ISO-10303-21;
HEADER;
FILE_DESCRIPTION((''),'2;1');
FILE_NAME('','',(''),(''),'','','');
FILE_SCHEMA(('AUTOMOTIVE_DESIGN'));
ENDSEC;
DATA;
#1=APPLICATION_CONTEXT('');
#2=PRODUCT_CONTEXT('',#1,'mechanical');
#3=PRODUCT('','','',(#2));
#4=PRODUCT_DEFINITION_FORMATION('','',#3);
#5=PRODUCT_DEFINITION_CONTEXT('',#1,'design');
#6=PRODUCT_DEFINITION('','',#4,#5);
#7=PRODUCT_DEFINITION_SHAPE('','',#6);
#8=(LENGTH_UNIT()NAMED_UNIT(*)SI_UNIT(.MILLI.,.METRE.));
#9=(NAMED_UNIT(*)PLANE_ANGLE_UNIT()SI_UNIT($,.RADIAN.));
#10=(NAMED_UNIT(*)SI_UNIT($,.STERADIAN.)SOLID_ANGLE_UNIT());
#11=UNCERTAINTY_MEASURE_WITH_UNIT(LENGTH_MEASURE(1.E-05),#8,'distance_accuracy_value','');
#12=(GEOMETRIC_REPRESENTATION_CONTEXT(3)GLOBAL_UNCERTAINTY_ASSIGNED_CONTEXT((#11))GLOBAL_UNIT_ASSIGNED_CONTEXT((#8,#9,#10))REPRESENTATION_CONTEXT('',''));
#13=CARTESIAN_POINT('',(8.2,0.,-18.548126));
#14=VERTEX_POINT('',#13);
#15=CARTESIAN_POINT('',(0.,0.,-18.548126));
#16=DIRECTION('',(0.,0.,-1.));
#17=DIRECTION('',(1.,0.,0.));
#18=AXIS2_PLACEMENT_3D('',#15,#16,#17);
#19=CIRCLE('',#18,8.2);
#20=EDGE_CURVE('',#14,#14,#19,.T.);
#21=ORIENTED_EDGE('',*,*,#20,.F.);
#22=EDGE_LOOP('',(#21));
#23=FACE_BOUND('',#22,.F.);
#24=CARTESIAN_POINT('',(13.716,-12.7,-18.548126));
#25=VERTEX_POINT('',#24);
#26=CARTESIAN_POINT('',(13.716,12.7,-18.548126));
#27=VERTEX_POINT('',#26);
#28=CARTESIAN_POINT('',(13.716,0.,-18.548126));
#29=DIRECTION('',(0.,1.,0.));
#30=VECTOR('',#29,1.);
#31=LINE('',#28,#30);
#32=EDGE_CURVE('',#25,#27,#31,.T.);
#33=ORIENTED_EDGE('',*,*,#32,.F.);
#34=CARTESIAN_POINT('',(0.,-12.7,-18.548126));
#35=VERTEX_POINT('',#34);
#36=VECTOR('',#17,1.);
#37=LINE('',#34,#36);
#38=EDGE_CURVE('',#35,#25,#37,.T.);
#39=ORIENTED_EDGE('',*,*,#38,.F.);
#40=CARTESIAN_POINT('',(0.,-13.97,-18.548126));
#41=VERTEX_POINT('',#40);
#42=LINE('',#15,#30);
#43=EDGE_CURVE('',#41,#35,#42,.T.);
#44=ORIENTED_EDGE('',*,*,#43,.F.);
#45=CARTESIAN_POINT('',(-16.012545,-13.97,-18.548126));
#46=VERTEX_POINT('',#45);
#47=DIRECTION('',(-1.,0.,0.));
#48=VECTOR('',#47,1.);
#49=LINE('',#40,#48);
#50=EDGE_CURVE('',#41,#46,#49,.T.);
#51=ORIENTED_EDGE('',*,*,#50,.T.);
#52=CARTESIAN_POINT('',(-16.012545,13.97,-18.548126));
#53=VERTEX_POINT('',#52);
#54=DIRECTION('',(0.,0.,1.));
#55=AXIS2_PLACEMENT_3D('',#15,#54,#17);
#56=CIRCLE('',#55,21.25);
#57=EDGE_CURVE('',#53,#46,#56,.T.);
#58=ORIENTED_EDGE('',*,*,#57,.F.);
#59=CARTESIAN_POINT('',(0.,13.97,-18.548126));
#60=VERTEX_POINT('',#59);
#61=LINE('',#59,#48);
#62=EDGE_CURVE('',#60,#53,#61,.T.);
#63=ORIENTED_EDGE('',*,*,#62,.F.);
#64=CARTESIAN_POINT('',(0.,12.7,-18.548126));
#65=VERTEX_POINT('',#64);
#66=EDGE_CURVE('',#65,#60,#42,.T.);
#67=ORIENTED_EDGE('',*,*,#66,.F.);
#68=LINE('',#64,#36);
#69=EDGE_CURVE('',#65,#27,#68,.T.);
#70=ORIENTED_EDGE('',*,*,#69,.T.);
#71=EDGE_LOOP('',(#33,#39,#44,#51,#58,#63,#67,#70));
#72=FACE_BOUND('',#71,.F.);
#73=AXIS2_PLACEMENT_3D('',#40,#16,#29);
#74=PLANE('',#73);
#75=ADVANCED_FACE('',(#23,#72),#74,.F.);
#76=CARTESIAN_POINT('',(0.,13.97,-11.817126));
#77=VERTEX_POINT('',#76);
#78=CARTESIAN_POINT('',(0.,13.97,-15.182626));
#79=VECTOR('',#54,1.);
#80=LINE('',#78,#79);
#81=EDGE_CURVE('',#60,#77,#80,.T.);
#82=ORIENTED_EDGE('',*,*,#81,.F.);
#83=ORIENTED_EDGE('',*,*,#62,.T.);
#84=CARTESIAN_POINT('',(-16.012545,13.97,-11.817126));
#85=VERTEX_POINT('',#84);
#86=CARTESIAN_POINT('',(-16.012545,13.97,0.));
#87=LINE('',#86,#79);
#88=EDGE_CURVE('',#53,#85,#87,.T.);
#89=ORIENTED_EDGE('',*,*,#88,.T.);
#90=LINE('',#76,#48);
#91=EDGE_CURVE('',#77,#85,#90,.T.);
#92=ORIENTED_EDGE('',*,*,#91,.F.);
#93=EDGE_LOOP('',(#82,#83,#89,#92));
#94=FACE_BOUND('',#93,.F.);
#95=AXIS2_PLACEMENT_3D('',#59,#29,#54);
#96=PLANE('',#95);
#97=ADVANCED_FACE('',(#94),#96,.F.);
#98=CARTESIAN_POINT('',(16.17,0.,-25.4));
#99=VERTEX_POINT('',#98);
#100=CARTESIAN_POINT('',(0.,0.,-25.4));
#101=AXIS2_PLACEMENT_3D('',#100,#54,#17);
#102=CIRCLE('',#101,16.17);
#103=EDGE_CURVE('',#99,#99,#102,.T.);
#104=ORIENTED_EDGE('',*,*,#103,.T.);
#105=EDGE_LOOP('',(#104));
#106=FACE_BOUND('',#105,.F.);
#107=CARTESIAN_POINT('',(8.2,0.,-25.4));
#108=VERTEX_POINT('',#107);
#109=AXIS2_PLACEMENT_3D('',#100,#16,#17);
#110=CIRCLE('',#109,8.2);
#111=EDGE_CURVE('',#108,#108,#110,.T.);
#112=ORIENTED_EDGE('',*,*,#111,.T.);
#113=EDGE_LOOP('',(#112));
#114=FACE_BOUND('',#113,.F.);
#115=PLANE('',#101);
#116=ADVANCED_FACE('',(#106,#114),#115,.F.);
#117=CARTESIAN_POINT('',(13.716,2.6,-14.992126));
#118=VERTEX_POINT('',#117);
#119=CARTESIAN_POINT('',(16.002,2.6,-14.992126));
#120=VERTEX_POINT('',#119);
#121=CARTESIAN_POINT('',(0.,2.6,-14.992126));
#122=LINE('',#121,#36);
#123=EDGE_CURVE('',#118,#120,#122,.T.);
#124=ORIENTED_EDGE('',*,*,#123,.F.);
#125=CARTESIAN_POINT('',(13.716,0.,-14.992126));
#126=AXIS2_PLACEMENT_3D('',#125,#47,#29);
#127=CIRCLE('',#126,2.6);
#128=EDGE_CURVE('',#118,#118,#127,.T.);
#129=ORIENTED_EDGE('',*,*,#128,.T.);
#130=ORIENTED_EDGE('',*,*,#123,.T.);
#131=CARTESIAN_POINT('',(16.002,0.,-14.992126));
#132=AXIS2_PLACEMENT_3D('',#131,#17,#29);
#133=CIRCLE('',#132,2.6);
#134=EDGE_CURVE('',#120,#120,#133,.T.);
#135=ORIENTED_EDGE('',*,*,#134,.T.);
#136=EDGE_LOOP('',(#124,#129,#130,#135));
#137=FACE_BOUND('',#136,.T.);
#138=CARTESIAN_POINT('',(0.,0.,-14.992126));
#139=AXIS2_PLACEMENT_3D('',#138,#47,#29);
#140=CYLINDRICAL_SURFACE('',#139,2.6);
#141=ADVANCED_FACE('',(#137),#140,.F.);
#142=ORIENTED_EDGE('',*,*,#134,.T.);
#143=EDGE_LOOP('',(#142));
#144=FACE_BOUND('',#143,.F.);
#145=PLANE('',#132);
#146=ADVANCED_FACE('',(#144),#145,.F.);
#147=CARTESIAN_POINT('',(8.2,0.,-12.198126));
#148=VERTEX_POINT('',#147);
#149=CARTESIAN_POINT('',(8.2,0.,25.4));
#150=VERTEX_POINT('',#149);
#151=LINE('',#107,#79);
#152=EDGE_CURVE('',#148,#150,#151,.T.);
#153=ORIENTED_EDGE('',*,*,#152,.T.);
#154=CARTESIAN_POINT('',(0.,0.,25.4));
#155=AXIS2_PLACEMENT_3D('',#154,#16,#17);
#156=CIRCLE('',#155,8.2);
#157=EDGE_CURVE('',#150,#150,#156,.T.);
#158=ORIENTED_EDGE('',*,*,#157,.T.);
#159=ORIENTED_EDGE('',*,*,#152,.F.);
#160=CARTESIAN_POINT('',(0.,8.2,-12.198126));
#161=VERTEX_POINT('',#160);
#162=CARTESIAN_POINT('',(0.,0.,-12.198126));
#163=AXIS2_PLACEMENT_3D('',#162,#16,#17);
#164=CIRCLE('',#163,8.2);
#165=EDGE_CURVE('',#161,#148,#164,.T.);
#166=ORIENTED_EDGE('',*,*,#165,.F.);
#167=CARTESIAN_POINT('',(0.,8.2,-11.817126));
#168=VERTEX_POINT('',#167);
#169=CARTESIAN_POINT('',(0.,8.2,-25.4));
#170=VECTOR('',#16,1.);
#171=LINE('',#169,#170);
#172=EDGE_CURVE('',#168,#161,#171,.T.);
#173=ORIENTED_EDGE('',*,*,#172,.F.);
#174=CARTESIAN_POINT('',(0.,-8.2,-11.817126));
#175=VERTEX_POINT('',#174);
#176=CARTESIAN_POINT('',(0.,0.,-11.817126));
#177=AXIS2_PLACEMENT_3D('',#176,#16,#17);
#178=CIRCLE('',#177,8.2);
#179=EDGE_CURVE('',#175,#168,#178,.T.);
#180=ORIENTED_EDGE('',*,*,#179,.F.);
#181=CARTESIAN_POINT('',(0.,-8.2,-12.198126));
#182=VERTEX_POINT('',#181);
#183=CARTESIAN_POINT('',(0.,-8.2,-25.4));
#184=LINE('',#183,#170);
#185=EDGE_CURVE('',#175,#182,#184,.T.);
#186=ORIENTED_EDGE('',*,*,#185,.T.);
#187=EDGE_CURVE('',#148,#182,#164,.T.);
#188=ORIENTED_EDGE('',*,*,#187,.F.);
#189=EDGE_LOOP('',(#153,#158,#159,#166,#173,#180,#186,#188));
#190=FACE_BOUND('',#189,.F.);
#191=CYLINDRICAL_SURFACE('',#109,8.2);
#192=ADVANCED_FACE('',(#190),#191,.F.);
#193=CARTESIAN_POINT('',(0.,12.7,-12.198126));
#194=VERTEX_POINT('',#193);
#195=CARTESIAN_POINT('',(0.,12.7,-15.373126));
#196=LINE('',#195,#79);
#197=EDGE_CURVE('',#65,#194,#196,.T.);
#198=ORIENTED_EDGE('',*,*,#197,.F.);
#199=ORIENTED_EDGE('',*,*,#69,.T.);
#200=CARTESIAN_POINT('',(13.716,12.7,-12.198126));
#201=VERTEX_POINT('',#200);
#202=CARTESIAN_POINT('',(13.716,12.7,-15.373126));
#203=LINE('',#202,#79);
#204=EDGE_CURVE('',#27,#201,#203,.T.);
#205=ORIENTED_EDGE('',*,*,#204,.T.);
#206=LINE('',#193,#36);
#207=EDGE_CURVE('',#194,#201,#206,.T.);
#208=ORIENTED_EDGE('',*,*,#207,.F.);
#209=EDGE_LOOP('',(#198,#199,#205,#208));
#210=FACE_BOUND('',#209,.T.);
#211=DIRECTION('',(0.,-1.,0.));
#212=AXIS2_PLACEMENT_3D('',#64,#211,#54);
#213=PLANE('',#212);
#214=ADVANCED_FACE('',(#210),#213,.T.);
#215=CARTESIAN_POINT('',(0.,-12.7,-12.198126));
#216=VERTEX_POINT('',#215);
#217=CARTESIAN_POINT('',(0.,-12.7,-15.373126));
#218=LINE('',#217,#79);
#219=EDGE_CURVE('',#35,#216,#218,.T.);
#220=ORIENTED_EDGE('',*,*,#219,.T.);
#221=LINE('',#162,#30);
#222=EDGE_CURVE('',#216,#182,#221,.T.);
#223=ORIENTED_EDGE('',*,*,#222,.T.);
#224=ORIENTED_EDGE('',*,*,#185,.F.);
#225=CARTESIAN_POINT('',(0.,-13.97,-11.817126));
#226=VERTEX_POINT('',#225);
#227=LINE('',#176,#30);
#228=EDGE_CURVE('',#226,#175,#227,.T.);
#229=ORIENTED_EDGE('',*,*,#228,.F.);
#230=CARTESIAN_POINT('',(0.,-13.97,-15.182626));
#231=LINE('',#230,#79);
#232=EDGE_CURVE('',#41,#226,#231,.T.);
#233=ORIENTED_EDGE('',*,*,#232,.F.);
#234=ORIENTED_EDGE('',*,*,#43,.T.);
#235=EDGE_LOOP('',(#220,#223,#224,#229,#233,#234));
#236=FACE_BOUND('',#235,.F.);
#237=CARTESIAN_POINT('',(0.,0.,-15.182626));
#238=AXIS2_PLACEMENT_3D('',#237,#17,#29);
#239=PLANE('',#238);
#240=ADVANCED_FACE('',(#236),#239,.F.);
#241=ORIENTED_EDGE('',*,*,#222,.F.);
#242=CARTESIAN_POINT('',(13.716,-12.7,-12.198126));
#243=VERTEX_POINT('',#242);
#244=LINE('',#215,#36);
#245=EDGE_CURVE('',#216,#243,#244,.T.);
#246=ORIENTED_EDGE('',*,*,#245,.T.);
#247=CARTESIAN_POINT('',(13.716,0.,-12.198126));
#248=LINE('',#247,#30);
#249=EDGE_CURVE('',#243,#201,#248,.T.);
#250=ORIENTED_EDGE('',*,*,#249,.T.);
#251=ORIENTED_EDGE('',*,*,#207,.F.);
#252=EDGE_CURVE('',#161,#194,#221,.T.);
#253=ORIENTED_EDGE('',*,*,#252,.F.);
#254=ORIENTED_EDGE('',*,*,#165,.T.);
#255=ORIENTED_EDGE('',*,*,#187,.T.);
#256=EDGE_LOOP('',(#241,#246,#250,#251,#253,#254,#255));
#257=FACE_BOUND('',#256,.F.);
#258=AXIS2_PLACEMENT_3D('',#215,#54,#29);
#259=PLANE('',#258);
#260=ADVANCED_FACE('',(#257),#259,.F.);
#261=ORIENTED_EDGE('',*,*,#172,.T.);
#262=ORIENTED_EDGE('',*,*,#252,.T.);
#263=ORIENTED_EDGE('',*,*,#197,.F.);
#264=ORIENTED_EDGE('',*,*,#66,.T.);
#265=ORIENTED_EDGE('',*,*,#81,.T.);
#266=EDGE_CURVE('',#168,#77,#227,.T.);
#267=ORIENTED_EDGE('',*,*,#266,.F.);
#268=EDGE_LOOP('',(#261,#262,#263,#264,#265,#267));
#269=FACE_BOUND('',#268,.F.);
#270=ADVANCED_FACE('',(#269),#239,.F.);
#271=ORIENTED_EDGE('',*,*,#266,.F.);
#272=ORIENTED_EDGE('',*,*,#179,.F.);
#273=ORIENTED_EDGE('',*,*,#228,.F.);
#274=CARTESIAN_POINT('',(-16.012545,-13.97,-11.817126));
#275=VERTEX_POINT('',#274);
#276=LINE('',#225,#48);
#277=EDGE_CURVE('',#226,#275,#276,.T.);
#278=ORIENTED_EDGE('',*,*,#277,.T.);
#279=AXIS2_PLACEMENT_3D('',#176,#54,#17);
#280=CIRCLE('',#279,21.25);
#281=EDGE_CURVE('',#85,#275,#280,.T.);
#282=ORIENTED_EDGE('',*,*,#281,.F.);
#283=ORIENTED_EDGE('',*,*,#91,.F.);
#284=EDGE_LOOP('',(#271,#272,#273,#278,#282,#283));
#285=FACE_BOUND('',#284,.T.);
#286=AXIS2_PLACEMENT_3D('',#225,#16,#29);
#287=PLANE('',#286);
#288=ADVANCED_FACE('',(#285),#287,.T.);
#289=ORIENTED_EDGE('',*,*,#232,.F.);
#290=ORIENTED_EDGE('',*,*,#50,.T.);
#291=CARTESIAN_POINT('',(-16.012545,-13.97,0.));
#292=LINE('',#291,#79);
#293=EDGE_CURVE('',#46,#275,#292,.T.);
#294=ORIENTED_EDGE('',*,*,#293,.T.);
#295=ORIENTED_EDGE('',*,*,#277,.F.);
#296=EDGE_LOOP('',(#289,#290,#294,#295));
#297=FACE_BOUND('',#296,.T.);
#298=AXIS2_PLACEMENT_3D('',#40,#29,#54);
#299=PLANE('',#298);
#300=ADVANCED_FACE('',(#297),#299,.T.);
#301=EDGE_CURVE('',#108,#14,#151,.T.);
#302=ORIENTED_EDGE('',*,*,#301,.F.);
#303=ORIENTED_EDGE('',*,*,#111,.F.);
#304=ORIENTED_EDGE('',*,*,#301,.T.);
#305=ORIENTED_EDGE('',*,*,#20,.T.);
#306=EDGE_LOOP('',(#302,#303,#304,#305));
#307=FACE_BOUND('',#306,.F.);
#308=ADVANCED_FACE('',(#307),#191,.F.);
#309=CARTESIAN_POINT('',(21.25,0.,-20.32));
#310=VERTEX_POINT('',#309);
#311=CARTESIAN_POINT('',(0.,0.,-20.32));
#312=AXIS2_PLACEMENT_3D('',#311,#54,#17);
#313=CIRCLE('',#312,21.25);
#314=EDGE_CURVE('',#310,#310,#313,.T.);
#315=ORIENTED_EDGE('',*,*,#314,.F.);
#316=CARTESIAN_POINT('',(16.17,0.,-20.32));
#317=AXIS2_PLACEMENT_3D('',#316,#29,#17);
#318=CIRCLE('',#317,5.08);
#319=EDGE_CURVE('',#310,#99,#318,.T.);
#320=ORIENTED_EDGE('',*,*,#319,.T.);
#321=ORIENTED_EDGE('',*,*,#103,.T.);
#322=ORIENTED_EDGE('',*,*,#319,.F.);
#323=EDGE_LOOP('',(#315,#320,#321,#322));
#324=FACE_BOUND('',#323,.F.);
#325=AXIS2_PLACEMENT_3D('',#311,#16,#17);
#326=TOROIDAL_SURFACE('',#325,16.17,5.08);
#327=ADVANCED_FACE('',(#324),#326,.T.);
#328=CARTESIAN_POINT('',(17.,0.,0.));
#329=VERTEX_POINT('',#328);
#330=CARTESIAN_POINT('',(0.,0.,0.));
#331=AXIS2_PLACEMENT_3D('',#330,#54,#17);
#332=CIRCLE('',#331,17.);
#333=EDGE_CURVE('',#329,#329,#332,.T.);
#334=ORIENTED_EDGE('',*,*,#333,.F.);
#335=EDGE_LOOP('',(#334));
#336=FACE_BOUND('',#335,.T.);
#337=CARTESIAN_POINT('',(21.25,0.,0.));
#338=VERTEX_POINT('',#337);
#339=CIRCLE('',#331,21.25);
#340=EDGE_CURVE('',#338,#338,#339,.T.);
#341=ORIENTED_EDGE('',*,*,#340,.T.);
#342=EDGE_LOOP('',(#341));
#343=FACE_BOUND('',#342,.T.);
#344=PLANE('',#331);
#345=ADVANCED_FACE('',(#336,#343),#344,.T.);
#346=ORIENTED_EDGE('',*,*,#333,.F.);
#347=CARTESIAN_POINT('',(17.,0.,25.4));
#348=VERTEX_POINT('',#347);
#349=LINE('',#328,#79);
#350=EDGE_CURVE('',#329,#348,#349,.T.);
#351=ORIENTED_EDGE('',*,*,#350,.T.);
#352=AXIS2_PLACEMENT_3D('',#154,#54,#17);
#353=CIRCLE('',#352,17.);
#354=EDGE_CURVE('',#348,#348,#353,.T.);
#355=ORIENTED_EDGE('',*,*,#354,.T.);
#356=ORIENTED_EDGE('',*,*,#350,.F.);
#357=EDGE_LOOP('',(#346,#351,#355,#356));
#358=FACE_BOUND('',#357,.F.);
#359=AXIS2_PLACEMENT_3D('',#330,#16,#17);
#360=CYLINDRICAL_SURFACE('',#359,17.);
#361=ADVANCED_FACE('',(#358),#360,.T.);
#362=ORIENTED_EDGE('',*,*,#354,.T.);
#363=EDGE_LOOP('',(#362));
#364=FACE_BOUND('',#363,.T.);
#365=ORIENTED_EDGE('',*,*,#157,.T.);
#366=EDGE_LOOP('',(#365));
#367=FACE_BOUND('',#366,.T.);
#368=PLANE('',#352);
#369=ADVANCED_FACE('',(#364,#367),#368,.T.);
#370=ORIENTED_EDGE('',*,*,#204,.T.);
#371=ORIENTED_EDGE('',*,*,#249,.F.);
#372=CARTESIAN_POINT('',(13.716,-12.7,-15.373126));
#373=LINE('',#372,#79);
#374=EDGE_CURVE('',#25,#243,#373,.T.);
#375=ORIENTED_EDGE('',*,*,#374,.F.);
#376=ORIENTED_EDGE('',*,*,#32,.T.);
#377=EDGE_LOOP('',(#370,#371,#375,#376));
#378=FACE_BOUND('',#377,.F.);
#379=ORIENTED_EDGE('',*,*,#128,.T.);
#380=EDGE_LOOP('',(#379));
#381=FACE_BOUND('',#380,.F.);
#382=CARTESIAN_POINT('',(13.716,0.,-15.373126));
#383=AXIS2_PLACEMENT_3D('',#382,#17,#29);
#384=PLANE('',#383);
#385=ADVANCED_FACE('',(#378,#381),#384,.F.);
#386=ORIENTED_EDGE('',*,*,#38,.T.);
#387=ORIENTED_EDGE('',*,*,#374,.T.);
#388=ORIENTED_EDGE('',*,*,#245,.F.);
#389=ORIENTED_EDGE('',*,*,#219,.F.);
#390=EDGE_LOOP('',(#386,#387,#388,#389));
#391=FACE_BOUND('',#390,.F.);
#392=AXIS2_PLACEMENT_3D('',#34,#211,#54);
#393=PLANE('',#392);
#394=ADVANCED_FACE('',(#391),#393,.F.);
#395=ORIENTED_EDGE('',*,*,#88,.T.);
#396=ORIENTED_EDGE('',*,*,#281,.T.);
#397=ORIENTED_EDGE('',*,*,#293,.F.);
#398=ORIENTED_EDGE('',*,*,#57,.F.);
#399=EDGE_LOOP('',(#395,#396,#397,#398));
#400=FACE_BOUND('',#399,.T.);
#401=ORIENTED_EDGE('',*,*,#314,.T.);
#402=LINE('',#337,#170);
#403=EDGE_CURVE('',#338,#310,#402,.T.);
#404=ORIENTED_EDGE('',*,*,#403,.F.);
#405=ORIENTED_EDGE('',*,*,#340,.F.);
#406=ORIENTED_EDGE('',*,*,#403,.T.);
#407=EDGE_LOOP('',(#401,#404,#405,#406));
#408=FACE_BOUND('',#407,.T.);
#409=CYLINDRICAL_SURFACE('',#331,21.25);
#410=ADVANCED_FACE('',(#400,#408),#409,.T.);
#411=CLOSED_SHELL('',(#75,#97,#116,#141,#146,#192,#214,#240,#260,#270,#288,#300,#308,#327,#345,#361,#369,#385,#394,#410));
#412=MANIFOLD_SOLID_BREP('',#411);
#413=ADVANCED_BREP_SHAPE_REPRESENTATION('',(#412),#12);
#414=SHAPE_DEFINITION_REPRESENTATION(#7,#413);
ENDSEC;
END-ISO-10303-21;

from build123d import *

# Parameters (mm, degrees)
F0_R      = 17
F1_DEPTH  = 25.4
F2_R      = 21.25
F3_DEPTH  = 25.4
F4_R      = 8.2
F5_DEPTH  = 87.884
F6_W      = 27.94
F6_H      = 6.731
F7_DEPTH  = 25.4
F8_R      = 2.6
F9_DEPTH  = 16.002
F10_W     = 25.4
F10_H     = 6.35
F11_DEPTH = 13.716
F12_R     = 5.08


with BuildPart() as f1:
    # F0 (on Top) → F1 (new body)
    with BuildSketch(Plane.XY):
        Circle(F0_R)
    extrude(amount=F1_DEPTH)

    # F2 (on Top) → F3 (join)
    with BuildSketch(Plane.XY):
        Circle(F2_R)
    extrude(amount=-F3_DEPTH)

    # F4 (on face) → F5 (cut)
    with BuildSketch(Plane(origin=(0, 0, -25.4), x_dir=(1, 0, 0), z_dir=(0, 0, -1))):
        Circle(F4_R)
    extrude(amount=-F5_DEPTH, mode=Mode.SUBTRACT)

    # F6 (on Right) → F7 (cut)
    with BuildSketch(Plane.YZ):
        with Locations((0, -15.182626)):
            Rectangle(F6_W, F6_H)
    extrude(amount=-F7_DEPTH, mode=Mode.SUBTRACT)

    # F8 (on Right) → F9 (cut)
    with BuildSketch(Plane.YZ):
        with Locations((0, -14.992126)):
            Circle(F8_R)
    extrude(amount=F9_DEPTH, mode=Mode.SUBTRACT)

    # F10 (on Right) → F11 (cut)
    with BuildSketch(Plane.YZ):
        with Locations((0, -15.373126)):
            Rectangle(F10_W, F10_H)
    extrude(amount=F11_DEPTH, mode=Mode.SUBTRACT)

    # F12
    f12_edges = [f1.edges().sort_by_distance(p)[0] for p in [
        (-21.25, 0, -25.4),
    ]]
    fillet(f12_edges, radius=F12_R)


solid = f1.part
